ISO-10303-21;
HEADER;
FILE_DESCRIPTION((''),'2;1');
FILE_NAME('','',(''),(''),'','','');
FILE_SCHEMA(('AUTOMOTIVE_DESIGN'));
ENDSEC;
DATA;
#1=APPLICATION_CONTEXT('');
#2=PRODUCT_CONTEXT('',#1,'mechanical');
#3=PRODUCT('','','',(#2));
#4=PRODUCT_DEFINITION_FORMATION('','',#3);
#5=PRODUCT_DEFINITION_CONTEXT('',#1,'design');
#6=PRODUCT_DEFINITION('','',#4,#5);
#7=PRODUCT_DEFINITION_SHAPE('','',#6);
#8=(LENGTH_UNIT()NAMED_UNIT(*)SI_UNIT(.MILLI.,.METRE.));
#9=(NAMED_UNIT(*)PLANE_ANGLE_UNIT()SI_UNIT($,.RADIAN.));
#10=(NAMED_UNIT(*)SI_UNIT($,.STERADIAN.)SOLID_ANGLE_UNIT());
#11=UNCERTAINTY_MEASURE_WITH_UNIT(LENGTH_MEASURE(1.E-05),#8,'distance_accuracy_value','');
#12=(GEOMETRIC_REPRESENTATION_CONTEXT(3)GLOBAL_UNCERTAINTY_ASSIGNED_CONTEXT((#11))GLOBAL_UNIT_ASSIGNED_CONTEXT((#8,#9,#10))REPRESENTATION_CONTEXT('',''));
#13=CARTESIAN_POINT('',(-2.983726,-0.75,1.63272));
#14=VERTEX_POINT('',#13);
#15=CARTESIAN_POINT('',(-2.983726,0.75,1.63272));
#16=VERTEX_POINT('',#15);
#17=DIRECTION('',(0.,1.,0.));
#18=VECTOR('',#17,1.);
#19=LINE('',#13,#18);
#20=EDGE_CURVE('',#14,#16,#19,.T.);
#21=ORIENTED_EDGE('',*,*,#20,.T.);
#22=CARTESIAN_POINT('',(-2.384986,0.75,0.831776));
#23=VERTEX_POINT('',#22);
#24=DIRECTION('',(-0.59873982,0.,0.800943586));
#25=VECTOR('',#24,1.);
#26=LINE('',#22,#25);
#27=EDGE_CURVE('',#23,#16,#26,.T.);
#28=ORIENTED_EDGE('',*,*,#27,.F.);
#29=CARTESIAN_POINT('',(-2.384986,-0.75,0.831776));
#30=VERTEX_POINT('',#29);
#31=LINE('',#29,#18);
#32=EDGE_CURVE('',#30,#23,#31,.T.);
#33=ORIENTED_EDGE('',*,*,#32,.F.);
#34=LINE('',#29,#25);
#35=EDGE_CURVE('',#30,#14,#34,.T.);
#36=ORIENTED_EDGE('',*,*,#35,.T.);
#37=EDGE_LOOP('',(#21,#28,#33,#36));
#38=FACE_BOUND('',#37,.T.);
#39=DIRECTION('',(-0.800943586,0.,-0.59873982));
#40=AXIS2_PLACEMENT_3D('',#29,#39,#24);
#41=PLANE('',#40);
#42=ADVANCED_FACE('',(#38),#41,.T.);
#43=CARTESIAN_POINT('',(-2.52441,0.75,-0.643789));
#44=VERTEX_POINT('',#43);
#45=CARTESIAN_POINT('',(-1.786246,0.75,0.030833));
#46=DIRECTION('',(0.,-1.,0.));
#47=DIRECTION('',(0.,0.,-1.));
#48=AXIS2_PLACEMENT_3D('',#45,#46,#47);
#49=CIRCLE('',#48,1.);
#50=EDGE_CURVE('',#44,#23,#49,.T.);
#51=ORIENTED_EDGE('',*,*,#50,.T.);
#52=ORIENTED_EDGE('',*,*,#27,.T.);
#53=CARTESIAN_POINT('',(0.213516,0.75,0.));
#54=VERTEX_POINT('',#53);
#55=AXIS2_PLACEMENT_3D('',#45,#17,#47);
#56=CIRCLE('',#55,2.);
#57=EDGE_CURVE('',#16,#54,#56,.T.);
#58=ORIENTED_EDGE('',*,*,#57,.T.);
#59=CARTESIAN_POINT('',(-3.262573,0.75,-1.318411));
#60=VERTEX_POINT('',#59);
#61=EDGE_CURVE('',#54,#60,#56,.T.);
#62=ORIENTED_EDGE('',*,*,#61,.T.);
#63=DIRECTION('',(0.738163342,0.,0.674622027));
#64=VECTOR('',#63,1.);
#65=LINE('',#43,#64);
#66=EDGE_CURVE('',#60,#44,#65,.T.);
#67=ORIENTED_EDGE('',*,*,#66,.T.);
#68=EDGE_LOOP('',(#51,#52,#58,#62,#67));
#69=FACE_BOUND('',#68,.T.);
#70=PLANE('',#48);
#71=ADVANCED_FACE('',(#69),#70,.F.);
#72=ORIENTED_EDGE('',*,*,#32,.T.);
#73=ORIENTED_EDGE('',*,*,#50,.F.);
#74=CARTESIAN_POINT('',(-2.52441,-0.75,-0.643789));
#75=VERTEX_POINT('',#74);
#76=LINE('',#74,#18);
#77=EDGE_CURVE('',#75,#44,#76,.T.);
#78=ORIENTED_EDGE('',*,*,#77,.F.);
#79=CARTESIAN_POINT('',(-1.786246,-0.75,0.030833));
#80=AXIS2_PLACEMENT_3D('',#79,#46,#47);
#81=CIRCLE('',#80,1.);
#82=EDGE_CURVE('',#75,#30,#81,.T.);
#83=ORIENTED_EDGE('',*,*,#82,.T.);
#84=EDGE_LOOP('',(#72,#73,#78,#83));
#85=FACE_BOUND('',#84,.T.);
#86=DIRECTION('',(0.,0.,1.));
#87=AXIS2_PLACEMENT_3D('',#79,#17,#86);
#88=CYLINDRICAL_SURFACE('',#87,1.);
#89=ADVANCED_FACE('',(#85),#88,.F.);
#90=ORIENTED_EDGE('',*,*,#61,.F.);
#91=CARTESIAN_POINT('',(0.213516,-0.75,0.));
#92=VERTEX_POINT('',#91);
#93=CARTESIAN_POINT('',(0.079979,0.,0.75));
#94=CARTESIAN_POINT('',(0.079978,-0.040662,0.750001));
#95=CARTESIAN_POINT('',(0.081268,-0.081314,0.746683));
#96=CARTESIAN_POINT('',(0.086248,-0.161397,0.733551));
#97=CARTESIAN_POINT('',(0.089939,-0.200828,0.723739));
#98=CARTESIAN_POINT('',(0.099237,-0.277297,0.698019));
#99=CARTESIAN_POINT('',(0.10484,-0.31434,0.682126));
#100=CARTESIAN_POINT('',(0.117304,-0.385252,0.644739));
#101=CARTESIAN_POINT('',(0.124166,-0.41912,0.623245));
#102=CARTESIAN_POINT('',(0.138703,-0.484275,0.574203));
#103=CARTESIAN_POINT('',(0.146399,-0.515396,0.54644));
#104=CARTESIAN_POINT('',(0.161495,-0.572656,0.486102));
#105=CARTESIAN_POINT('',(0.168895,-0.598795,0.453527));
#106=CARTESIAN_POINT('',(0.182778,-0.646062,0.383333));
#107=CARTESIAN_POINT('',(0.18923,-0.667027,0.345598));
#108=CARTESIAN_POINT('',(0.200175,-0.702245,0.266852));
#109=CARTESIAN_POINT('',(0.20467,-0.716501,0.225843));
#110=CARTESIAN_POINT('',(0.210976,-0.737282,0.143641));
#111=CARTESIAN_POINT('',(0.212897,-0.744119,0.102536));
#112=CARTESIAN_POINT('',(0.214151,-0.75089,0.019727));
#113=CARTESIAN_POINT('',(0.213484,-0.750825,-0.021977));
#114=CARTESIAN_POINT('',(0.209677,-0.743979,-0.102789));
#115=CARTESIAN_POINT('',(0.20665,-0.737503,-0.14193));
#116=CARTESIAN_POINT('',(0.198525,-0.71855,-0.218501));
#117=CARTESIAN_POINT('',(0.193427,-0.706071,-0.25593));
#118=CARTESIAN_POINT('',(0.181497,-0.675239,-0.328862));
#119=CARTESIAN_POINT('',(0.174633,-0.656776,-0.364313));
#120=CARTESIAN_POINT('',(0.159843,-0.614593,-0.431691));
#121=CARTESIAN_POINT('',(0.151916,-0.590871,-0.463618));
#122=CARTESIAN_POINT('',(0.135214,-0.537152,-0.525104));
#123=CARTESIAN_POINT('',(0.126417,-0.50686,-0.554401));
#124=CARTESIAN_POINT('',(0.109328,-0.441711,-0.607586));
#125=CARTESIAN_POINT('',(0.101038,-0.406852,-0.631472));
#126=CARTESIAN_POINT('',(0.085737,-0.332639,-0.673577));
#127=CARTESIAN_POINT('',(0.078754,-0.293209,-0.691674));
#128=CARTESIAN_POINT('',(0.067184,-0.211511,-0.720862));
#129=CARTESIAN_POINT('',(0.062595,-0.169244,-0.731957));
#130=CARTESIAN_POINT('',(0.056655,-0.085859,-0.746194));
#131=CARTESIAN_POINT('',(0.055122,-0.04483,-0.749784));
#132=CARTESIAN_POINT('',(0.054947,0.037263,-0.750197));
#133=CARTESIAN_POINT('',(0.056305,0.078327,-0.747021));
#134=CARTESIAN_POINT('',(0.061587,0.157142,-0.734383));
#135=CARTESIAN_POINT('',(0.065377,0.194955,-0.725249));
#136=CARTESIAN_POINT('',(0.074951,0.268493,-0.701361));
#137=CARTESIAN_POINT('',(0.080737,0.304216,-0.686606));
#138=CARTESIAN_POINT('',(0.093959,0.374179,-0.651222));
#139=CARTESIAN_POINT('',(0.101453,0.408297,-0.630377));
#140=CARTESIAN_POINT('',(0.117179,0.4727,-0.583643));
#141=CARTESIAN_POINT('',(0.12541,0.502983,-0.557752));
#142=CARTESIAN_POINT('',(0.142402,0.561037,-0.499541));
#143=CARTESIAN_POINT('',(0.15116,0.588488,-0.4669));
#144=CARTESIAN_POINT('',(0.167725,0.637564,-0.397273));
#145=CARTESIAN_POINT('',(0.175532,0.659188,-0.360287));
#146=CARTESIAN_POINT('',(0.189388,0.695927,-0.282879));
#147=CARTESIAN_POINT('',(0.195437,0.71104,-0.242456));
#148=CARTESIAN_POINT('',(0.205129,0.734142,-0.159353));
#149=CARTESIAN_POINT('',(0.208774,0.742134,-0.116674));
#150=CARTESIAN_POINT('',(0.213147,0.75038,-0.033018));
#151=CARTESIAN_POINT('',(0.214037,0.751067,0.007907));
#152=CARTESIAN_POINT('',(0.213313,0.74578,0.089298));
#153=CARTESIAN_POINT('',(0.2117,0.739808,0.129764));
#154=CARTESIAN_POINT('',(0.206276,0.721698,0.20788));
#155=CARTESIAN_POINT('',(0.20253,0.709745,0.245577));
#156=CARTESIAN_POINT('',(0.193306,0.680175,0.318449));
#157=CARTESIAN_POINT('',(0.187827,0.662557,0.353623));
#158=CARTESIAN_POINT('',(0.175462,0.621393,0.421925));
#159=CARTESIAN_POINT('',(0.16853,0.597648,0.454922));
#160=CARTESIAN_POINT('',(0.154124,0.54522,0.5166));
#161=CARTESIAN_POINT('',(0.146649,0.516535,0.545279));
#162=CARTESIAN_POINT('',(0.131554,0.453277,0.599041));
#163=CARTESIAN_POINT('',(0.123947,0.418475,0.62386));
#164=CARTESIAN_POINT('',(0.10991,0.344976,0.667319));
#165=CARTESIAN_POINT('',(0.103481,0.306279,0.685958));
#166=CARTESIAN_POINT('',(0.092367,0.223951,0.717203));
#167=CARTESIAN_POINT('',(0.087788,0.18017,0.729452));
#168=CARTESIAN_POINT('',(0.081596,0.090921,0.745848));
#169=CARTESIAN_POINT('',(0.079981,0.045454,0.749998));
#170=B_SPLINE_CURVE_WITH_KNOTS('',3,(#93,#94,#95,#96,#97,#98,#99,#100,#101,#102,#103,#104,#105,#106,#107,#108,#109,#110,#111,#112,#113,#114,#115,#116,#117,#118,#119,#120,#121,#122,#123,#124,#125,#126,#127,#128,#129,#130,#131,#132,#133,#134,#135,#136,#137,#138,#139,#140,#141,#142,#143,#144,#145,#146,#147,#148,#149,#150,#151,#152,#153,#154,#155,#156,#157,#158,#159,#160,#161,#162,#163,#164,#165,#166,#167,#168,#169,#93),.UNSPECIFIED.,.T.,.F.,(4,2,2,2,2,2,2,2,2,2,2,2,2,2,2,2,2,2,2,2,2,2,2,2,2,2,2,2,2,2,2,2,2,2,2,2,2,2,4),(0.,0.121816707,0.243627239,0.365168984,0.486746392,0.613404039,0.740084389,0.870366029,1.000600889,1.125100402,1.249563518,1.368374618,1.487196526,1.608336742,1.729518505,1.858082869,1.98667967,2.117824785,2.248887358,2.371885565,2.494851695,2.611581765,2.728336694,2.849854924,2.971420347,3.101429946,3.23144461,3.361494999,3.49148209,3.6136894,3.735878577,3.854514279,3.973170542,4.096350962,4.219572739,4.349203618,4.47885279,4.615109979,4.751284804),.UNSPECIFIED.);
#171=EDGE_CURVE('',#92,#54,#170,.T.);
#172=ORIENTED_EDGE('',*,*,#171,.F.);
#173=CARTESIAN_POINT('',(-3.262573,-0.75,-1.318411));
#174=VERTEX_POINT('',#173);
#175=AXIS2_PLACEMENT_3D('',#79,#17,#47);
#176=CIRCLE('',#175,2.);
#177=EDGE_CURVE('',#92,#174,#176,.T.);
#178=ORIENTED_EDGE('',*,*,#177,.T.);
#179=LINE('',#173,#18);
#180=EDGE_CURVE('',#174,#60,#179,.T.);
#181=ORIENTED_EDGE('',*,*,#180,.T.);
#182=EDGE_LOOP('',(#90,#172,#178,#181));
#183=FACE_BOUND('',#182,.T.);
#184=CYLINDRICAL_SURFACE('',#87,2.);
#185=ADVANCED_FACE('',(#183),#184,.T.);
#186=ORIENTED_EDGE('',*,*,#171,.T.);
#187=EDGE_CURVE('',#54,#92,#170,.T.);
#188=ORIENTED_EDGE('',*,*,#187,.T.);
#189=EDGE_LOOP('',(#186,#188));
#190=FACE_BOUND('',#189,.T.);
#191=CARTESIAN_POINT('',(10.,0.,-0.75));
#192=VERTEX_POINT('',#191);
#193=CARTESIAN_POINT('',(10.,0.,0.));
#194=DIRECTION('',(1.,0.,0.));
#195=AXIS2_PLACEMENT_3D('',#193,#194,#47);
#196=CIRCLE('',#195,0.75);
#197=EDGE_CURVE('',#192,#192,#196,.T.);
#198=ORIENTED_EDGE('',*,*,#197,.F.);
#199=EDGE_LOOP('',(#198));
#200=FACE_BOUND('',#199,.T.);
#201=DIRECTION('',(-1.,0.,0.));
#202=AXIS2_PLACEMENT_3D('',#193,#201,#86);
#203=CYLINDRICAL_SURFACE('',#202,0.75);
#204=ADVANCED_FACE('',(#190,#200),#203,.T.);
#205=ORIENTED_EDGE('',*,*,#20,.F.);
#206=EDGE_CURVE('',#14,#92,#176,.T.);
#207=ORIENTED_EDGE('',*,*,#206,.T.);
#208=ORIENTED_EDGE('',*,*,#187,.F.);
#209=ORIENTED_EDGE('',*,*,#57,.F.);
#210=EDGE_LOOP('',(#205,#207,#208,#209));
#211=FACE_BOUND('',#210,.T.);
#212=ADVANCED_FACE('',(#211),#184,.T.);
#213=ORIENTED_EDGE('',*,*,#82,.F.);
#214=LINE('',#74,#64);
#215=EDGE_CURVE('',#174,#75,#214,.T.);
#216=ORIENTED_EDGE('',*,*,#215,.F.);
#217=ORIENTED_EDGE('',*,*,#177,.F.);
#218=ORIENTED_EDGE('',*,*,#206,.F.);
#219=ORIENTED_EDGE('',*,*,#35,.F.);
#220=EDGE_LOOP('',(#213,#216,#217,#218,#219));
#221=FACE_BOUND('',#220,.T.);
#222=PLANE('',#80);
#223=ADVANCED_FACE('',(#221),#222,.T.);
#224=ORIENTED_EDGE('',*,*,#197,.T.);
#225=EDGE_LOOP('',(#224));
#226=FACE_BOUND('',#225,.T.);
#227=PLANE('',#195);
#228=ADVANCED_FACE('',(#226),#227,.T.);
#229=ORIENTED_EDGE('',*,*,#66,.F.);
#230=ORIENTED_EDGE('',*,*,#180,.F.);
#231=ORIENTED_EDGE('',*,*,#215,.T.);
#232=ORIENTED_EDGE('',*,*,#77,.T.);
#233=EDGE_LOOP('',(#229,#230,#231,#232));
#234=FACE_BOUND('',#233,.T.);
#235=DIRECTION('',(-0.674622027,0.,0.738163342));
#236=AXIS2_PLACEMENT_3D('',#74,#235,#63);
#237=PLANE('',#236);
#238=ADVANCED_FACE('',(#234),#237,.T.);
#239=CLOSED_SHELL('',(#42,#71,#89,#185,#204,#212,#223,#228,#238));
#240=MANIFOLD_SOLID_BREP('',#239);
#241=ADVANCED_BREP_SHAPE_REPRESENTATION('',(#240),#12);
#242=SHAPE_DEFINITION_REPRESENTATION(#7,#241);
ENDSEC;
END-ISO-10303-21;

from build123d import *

# Parameters (mm, degrees)
SKETCH1_R                = 0.75
BOSS_EXTRUDE1_DEPTH      = 10
BOSS_EXTRUDE2_DEPTH      = 0.75
BOSS_EXTRUDE2_DEPTH_BACK = 0.75


with BuildPart() as part:
    # Sketch1 → Boss-Extrude1 (new body)
    with BuildSketch(Plane(origin=(0, 0, 0), x_dir=(0, 0, -1), z_dir=(1, 0, 0))):
        Circle(SKETCH1_R)
    extrude(amount=BOSS_EXTRUDE1_DEPTH)

    # Sketch7 → Boss-Extrude2 (add, two sides: drawn at the far end of the back side and taken through both)
    with BuildSketch(Plane(origin=(0, 0, 0), x_dir=(1, 0, 0), z_dir=(0, 1, 0)).offset(-BOSS_EXTRUDE2_DEPTH_BACK)):
        with BuildLine():
            Line((-2.524409689, 0.643789351), (-3.262573031, 1.318411378))
            ThreePointArc((-3.262573031, 1.318411378), (0.204884976, 0.157305716), (-2.983725986, -1.632719849))
            Line((-2.983725986, -1.632719849), (-2.384986166, -0.831776263))
            ThreePointArc((-2.384986166, -0.831776263), (-0.790680685, 0.06323652), (-2.524409689, 0.643789351))
        make_face()
    extrude(amount=BOSS_EXTRUDE2_DEPTH + BOSS_EXTRUDE2_DEPTH_BACK)


solid = part.part
